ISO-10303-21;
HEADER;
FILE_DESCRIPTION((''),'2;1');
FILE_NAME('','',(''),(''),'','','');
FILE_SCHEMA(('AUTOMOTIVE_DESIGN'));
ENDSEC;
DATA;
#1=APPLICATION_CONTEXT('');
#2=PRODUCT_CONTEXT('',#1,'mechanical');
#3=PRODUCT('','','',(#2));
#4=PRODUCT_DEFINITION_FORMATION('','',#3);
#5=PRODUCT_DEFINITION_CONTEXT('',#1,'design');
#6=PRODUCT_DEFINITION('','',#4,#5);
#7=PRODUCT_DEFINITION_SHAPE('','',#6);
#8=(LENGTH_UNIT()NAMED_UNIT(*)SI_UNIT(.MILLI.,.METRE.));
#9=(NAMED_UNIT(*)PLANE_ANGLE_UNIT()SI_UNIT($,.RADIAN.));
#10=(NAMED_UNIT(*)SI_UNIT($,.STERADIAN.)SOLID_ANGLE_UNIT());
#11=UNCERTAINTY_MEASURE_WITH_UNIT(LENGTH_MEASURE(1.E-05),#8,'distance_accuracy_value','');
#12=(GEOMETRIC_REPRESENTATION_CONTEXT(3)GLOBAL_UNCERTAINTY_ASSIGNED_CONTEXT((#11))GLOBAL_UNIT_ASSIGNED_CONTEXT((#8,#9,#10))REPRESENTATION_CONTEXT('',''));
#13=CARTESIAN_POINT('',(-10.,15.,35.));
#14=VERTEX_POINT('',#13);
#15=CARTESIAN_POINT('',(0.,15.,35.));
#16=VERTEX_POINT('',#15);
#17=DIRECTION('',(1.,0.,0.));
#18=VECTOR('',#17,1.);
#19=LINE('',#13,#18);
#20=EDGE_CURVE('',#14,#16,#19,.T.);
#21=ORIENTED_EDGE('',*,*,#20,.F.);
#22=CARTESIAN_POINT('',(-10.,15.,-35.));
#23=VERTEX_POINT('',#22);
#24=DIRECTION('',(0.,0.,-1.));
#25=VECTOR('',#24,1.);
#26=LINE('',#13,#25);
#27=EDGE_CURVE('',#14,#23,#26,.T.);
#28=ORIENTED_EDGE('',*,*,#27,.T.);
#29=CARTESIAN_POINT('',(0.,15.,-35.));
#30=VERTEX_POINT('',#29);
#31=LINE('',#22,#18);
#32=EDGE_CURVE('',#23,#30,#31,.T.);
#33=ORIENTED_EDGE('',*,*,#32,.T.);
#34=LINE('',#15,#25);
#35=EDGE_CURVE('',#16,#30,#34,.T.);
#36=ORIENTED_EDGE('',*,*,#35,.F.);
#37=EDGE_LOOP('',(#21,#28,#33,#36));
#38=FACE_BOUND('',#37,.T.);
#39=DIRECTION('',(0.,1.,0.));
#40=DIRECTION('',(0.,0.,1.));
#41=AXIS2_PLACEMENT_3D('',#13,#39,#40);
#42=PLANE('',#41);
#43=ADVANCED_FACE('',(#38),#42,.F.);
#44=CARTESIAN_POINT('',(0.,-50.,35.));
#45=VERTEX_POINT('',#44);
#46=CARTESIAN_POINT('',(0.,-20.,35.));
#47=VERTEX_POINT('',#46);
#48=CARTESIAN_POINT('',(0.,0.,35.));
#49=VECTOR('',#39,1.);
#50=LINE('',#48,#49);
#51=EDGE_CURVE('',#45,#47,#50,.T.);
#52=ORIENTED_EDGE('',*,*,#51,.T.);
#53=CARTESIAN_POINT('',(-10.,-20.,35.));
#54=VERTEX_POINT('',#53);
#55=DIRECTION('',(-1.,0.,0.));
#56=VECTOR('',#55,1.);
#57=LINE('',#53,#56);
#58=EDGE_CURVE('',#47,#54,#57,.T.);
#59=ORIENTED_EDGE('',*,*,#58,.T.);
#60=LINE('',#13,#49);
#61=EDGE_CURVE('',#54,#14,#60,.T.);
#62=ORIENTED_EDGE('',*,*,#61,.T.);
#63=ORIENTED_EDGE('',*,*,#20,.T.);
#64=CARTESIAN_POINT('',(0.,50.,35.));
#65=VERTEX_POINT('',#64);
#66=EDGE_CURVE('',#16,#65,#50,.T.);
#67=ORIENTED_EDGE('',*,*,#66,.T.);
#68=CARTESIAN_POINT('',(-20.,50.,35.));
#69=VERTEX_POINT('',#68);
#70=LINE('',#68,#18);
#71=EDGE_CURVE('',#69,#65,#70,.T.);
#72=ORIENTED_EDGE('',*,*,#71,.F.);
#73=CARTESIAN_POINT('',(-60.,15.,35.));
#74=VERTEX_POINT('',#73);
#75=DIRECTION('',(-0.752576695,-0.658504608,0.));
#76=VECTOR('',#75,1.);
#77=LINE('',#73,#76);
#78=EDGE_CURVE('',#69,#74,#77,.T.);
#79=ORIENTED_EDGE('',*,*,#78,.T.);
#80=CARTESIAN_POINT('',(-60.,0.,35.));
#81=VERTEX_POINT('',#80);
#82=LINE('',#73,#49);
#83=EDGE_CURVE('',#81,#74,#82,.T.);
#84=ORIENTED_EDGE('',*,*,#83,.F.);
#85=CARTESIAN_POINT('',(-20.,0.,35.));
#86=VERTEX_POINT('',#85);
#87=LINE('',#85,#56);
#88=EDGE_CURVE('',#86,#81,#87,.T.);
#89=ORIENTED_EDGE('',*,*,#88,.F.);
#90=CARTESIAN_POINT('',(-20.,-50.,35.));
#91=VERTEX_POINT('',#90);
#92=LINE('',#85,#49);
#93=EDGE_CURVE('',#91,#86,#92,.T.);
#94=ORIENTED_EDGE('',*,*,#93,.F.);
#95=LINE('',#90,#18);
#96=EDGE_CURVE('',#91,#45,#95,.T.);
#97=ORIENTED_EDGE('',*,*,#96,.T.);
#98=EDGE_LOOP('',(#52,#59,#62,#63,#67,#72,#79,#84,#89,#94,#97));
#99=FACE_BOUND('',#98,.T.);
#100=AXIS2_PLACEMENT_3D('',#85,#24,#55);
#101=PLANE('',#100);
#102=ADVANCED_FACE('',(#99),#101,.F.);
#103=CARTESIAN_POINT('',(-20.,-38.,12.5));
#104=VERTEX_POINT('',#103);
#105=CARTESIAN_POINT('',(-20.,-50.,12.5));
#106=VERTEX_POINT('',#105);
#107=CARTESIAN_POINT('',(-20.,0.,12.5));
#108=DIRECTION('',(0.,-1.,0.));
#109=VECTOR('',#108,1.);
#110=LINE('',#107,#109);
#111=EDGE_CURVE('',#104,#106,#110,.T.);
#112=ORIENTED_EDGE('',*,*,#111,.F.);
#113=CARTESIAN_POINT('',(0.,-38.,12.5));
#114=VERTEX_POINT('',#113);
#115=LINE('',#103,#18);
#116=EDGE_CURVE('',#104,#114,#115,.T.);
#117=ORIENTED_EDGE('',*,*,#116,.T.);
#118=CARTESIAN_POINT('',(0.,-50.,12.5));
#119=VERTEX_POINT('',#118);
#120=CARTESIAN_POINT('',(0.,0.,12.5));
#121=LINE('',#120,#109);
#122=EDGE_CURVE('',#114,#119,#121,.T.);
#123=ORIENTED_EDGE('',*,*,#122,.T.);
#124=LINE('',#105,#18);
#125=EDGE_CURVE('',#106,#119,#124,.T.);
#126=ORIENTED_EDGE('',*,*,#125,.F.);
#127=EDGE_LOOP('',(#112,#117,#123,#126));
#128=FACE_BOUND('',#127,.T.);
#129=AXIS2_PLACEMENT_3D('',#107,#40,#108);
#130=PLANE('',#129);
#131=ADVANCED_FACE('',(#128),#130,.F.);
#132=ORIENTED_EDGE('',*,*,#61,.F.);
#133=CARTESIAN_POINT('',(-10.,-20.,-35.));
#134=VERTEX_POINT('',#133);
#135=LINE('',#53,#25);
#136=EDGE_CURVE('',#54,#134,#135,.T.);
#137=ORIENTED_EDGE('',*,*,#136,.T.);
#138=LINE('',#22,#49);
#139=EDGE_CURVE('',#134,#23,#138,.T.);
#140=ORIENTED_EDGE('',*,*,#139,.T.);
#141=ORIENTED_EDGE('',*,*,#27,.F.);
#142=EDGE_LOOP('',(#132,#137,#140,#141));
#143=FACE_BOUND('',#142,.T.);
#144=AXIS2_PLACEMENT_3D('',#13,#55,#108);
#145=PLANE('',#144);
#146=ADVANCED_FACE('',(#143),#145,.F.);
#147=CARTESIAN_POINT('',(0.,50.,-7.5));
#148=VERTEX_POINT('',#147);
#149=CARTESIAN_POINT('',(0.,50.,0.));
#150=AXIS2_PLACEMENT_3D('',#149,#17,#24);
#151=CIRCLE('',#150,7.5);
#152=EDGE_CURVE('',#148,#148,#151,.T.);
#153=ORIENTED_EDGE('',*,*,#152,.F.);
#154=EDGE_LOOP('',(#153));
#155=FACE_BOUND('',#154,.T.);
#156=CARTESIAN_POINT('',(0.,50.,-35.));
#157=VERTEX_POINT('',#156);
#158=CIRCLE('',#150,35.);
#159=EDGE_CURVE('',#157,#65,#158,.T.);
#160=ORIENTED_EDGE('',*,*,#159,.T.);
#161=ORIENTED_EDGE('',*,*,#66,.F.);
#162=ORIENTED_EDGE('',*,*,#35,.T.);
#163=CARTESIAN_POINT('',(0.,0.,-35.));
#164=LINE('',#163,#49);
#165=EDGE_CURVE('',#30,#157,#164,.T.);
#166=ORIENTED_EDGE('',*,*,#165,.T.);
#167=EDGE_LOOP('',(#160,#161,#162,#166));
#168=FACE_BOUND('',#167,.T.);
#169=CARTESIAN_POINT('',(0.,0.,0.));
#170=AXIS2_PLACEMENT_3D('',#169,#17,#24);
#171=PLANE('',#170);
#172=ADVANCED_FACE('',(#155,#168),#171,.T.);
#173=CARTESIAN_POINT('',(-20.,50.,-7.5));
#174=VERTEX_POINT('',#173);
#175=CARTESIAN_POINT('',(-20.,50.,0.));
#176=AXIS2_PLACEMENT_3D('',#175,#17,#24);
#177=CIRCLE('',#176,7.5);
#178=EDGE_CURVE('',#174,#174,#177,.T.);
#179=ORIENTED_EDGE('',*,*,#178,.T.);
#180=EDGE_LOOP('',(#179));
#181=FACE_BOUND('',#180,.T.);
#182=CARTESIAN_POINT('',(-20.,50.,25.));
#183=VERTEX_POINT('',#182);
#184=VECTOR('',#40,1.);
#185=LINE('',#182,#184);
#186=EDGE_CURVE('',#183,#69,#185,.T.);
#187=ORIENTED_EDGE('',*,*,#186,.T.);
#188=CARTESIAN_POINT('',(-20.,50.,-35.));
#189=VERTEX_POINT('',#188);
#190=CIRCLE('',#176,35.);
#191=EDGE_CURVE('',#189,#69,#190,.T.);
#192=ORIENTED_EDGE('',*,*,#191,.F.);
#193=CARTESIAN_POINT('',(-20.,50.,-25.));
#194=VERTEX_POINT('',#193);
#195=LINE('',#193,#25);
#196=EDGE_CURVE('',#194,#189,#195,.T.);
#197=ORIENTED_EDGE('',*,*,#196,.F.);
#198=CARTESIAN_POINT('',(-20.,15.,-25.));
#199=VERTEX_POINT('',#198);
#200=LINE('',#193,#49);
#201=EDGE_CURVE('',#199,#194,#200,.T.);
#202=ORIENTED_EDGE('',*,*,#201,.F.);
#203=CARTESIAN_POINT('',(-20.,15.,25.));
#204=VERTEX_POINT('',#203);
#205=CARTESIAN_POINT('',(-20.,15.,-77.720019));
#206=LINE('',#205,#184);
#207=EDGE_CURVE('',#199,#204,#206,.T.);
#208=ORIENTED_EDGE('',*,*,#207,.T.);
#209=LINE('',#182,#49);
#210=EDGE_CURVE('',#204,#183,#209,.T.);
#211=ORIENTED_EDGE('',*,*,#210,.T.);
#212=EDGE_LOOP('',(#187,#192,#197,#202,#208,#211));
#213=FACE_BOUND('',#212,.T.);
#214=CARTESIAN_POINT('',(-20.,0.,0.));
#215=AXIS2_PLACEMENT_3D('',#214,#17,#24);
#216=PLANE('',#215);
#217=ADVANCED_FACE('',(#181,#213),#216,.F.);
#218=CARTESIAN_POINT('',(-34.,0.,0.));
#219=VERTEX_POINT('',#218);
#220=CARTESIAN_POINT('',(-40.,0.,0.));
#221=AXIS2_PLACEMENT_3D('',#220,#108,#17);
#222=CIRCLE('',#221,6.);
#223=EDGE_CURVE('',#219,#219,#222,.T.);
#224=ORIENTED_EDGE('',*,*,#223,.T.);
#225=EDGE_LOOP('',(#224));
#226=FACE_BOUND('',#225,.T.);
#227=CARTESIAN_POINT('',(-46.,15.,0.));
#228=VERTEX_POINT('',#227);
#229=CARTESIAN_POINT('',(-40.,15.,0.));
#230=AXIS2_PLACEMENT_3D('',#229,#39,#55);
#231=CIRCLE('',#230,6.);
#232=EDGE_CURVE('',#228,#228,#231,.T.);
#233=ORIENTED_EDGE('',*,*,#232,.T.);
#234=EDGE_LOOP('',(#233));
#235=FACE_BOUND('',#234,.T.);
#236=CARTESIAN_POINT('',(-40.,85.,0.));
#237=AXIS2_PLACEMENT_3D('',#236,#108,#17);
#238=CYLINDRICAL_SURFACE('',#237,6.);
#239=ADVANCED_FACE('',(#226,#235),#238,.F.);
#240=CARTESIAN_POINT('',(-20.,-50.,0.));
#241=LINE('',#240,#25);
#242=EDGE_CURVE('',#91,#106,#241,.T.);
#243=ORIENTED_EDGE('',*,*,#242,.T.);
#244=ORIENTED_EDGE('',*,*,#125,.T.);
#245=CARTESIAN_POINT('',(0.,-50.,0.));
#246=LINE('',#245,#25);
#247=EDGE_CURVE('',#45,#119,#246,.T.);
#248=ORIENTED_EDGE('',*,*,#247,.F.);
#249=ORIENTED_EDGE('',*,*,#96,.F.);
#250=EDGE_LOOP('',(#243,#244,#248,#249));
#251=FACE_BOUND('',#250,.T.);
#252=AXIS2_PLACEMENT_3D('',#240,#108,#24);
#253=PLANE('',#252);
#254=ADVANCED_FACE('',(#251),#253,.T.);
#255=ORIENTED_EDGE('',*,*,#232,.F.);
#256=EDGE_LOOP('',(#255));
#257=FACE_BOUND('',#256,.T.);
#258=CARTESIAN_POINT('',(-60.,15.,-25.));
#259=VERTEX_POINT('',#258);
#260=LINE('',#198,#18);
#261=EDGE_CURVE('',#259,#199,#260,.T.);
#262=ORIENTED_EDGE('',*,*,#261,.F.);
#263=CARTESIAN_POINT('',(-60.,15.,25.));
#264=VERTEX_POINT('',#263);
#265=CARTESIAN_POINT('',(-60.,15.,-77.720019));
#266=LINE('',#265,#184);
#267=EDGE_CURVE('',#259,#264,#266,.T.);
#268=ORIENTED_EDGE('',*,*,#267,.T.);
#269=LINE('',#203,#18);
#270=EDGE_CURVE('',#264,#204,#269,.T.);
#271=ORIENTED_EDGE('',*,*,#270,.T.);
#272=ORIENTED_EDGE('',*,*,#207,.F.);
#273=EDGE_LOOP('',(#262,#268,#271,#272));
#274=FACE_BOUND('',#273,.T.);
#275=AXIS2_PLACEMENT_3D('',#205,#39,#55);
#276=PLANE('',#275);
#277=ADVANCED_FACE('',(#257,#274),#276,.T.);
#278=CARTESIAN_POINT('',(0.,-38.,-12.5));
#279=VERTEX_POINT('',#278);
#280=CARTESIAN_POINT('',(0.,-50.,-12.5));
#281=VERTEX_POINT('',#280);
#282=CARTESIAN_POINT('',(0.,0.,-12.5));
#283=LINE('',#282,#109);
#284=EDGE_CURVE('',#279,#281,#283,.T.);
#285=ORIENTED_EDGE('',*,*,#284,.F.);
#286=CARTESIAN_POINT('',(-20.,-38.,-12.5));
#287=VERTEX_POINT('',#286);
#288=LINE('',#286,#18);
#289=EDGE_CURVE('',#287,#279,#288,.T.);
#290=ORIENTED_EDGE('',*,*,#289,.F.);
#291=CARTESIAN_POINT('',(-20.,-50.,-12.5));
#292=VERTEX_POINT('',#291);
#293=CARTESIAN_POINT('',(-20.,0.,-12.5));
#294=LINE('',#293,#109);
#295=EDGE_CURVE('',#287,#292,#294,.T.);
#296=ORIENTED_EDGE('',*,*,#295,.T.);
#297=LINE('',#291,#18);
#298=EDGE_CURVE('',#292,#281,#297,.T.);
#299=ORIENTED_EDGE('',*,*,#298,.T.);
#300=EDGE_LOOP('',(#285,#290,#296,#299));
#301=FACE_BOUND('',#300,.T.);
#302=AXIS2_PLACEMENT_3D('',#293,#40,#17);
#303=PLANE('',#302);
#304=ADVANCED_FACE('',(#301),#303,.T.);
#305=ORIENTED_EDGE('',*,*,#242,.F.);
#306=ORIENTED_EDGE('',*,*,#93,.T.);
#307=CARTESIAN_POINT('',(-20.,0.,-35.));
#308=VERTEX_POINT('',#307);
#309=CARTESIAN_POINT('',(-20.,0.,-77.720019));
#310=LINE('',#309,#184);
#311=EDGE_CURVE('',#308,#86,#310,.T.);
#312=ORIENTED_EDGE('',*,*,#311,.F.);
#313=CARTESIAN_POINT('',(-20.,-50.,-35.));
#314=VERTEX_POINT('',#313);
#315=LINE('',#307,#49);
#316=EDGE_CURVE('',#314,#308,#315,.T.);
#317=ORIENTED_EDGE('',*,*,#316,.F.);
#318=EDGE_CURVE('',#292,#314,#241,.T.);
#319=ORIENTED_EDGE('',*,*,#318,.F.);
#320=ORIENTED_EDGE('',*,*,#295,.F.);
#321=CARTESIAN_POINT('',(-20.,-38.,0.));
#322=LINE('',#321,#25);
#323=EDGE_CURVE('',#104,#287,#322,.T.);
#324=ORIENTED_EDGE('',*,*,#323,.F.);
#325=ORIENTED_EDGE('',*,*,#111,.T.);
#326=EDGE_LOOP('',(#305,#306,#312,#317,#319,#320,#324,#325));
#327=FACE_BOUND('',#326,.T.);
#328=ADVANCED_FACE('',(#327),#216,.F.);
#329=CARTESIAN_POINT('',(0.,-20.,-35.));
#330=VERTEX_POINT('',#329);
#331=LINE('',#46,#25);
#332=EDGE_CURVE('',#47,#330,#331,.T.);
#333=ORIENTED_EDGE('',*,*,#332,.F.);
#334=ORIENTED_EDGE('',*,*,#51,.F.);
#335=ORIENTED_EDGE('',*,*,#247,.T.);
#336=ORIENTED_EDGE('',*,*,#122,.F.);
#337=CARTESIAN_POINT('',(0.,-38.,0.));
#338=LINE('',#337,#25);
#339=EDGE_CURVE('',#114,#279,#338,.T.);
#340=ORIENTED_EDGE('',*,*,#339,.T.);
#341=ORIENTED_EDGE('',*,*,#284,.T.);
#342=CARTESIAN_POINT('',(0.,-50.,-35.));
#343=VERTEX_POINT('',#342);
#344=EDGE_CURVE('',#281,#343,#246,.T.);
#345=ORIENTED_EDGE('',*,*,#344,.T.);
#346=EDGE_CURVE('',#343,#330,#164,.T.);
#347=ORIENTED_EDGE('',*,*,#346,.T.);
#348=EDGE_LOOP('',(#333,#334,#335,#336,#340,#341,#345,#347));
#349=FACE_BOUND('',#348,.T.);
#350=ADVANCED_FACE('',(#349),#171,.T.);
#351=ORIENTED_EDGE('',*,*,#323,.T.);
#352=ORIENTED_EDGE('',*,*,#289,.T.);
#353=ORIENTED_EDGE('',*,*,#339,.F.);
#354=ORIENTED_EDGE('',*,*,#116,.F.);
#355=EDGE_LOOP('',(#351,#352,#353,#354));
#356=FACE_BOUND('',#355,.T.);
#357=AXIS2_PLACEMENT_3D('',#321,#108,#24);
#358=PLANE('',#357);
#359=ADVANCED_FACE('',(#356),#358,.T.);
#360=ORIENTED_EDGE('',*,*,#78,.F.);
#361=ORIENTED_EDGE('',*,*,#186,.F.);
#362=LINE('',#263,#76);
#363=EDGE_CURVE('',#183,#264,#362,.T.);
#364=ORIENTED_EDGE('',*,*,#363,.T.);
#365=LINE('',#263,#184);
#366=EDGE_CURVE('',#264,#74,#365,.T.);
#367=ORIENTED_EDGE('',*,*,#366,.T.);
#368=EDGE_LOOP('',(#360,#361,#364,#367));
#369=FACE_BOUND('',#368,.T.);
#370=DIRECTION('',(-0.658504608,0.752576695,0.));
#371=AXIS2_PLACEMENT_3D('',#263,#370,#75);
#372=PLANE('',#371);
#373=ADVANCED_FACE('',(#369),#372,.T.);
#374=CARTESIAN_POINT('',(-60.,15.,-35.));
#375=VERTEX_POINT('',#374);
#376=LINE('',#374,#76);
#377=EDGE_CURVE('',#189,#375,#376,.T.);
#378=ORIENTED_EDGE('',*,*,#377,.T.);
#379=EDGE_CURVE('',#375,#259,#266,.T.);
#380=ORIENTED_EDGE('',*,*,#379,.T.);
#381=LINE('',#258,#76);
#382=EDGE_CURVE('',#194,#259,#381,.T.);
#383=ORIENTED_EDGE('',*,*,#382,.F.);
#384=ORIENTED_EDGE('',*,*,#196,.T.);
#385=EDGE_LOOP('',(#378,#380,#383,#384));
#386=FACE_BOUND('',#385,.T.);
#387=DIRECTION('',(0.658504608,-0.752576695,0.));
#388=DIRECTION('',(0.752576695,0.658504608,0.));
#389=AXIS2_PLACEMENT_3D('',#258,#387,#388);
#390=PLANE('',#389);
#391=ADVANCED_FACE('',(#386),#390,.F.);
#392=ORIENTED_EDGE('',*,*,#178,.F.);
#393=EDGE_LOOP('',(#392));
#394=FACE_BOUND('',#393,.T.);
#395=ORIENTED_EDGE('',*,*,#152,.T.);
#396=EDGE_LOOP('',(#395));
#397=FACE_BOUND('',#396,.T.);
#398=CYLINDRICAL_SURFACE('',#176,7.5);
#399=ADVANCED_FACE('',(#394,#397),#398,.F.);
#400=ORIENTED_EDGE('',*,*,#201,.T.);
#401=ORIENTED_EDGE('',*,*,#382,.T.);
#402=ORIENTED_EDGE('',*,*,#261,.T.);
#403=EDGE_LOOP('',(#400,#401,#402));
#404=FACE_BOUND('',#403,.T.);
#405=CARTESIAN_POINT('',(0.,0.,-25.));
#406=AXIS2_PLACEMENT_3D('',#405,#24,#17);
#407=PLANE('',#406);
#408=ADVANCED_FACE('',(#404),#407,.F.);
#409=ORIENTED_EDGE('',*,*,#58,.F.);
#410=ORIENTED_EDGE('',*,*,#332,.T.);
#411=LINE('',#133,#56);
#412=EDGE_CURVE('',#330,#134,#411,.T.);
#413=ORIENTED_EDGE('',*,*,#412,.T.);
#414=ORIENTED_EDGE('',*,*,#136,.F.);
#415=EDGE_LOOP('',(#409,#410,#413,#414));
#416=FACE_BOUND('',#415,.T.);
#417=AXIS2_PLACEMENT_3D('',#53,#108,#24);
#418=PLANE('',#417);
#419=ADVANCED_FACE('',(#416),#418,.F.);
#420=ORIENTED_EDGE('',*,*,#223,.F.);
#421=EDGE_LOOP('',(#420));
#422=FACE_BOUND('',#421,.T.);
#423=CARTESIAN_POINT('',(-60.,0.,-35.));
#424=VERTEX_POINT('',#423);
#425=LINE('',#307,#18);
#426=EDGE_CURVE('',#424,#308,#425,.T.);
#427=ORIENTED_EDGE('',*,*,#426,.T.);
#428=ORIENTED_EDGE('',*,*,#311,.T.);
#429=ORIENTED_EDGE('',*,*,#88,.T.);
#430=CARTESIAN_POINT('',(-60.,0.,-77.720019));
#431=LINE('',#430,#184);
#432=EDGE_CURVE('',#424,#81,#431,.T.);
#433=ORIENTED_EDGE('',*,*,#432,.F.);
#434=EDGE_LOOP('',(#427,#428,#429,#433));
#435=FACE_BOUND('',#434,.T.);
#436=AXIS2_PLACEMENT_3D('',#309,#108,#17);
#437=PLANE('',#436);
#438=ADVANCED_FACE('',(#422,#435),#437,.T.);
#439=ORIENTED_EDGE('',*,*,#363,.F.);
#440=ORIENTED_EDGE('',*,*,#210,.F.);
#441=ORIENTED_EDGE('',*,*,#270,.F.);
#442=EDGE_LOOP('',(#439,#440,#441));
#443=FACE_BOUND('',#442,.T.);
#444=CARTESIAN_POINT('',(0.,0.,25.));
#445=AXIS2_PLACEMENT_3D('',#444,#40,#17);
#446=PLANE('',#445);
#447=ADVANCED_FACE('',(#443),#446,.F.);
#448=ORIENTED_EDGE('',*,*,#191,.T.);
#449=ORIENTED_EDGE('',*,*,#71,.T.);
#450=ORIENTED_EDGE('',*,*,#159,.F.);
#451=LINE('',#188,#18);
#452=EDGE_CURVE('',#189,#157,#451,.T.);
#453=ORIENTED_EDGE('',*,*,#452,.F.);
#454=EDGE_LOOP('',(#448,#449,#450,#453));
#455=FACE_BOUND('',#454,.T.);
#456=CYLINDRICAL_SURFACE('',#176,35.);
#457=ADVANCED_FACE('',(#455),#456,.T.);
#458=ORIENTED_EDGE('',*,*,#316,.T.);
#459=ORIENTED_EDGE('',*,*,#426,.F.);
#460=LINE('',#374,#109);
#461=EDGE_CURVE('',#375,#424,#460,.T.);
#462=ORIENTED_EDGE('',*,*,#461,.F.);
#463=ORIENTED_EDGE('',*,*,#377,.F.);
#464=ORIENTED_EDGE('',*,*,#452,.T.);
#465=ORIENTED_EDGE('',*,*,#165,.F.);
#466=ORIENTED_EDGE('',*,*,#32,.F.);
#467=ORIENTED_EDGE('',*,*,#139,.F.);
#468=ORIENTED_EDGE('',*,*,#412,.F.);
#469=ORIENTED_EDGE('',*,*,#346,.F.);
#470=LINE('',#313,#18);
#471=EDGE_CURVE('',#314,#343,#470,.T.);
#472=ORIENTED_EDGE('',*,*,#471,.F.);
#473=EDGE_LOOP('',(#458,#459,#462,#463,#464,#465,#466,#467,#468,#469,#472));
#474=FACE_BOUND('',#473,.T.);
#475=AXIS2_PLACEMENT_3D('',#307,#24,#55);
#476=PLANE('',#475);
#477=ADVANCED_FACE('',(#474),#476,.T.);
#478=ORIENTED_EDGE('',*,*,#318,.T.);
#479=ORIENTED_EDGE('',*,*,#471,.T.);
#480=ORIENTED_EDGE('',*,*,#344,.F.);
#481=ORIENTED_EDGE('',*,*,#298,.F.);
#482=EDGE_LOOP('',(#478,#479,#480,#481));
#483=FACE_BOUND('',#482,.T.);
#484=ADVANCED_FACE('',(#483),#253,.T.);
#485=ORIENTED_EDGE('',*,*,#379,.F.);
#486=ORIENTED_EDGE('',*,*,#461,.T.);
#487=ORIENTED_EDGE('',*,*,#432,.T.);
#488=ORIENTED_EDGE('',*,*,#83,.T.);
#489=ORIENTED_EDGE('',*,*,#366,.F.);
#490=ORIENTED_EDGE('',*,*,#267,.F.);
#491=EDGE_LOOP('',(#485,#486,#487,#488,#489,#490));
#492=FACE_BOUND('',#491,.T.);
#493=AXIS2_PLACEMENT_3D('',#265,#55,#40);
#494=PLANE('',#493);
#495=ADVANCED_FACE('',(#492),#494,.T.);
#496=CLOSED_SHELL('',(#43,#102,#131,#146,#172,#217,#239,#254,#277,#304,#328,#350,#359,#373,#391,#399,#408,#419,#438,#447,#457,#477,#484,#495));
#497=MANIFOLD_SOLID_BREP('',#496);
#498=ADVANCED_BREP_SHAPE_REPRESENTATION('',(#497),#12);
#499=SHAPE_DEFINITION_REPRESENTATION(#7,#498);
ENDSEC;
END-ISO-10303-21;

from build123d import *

# Parameters (mm, degrees)
EXTRUDE_1_DEPTH     = 20
SKETCH_2_W          = 10
SKETCH_2_H          = 35
CUT_EXTRUDE_1_DEPTH = 112.915146428
EXTRUDE_START       = -35
SKETCH_3_W          = 40
SKETCH_3_H          = 15
EXTRUDE_2_DEPTH     = 70
SKETCH_4_R          = 6
CUT_EXTRUDE_2_DEPTH = 110.772492001
EXTRUDE_3_DEPTH     = 10


with BuildPart() as part:
    # Эскиз1 → Бобышка-Вытянуть1 (new body)
    with BuildSketch(Plane(origin=(0, 0, 0), x_dir=(0, 0, -1), z_dir=(1, 0, 0))):
        with BuildLine():
            Line((-35, 50), (-35, -50))
            Line((-35, -50), (-12.5, -50))
            Line((-12.5, -50), (-12.5, -38))
            Line((-12.5, -38), (12.5, -38))
            Line((12.5, -38), (12.5, -50))
            Line((12.5, -50), (35, -50))
            Line((35, -50), (35, 50))
            ThreePointArc((35, 50), (0, 15), (-35, 50))
        make_face()
        with BuildLine():
            ThreePointArc((35, 50), (0, 85), (-35, 50))
            Line((-35, 50), (-7.5, 50))
            ThreePointArc((-7.5, 50), (0, 57.5), (7.5, 50))
            Line((7.5, 50), (35, 50))
        make_face()
        with BuildLine():
            Line((-7.5, 50), (-35, 50))
            ThreePointArc((-35, 50), (0, 15), (35, 50))
            Line((35, 50), (7.5, 50))
            ThreePointArc((7.5, 50), (0, 42.5), (-7.5, 50))
        make_face()
    extrude(amount=-EXTRUDE_1_DEPTH)

    # Эскиз2 → Вырез-Вытянуть1 (cut, through all)
    with BuildSketch(Plane(origin=(0, 0, -35), x_dir=(-1, 0, 0), z_dir=(0, 0, -1))):
        with Locations((5, -2.5)):
            Rectangle(SKETCH_2_W, SKETCH_2_H)
    extrude(amount=-CUT_EXTRUDE_1_DEPTH, mode=Mode.SUBTRACT)

    # Эскиз3 → Бобышка-Вытянуть2 (add)
    with BuildSketch(Plane.XY.offset(EXTRUDE_START)):
        with Locations((-40, 7.5)):
            Rectangle(SKETCH_3_W, SKETCH_3_H)
    extrude(amount=EXTRUDE_2_DEPTH)

    # Эскиз4 → Вырез-Вытянуть2 (cut, through all)
    with BuildSketch(Plane.XZ):
        with Locations((-40, 0)):
            Circle(SKETCH_4_R)
    extrude(amount=-CUT_EXTRUDE_2_DEPTH, mode=Mode.SUBTRACT)

    # Эскиз5 → Бобышка-Вытянуть3 (add)
    with BuildSketch(Plane.XY.offset(35)):
        Polygon((-60, 15), (-20, 50), (-20, 15), align=None)
    extrude_3 = extrude(amount=-EXTRUDE_3_DEPTH)

    # Зеркальное отражение1: Бобышка-Вытянуть3 across plane
    add(extrude_3.mirror(Plane.XY))


solid = part.part
